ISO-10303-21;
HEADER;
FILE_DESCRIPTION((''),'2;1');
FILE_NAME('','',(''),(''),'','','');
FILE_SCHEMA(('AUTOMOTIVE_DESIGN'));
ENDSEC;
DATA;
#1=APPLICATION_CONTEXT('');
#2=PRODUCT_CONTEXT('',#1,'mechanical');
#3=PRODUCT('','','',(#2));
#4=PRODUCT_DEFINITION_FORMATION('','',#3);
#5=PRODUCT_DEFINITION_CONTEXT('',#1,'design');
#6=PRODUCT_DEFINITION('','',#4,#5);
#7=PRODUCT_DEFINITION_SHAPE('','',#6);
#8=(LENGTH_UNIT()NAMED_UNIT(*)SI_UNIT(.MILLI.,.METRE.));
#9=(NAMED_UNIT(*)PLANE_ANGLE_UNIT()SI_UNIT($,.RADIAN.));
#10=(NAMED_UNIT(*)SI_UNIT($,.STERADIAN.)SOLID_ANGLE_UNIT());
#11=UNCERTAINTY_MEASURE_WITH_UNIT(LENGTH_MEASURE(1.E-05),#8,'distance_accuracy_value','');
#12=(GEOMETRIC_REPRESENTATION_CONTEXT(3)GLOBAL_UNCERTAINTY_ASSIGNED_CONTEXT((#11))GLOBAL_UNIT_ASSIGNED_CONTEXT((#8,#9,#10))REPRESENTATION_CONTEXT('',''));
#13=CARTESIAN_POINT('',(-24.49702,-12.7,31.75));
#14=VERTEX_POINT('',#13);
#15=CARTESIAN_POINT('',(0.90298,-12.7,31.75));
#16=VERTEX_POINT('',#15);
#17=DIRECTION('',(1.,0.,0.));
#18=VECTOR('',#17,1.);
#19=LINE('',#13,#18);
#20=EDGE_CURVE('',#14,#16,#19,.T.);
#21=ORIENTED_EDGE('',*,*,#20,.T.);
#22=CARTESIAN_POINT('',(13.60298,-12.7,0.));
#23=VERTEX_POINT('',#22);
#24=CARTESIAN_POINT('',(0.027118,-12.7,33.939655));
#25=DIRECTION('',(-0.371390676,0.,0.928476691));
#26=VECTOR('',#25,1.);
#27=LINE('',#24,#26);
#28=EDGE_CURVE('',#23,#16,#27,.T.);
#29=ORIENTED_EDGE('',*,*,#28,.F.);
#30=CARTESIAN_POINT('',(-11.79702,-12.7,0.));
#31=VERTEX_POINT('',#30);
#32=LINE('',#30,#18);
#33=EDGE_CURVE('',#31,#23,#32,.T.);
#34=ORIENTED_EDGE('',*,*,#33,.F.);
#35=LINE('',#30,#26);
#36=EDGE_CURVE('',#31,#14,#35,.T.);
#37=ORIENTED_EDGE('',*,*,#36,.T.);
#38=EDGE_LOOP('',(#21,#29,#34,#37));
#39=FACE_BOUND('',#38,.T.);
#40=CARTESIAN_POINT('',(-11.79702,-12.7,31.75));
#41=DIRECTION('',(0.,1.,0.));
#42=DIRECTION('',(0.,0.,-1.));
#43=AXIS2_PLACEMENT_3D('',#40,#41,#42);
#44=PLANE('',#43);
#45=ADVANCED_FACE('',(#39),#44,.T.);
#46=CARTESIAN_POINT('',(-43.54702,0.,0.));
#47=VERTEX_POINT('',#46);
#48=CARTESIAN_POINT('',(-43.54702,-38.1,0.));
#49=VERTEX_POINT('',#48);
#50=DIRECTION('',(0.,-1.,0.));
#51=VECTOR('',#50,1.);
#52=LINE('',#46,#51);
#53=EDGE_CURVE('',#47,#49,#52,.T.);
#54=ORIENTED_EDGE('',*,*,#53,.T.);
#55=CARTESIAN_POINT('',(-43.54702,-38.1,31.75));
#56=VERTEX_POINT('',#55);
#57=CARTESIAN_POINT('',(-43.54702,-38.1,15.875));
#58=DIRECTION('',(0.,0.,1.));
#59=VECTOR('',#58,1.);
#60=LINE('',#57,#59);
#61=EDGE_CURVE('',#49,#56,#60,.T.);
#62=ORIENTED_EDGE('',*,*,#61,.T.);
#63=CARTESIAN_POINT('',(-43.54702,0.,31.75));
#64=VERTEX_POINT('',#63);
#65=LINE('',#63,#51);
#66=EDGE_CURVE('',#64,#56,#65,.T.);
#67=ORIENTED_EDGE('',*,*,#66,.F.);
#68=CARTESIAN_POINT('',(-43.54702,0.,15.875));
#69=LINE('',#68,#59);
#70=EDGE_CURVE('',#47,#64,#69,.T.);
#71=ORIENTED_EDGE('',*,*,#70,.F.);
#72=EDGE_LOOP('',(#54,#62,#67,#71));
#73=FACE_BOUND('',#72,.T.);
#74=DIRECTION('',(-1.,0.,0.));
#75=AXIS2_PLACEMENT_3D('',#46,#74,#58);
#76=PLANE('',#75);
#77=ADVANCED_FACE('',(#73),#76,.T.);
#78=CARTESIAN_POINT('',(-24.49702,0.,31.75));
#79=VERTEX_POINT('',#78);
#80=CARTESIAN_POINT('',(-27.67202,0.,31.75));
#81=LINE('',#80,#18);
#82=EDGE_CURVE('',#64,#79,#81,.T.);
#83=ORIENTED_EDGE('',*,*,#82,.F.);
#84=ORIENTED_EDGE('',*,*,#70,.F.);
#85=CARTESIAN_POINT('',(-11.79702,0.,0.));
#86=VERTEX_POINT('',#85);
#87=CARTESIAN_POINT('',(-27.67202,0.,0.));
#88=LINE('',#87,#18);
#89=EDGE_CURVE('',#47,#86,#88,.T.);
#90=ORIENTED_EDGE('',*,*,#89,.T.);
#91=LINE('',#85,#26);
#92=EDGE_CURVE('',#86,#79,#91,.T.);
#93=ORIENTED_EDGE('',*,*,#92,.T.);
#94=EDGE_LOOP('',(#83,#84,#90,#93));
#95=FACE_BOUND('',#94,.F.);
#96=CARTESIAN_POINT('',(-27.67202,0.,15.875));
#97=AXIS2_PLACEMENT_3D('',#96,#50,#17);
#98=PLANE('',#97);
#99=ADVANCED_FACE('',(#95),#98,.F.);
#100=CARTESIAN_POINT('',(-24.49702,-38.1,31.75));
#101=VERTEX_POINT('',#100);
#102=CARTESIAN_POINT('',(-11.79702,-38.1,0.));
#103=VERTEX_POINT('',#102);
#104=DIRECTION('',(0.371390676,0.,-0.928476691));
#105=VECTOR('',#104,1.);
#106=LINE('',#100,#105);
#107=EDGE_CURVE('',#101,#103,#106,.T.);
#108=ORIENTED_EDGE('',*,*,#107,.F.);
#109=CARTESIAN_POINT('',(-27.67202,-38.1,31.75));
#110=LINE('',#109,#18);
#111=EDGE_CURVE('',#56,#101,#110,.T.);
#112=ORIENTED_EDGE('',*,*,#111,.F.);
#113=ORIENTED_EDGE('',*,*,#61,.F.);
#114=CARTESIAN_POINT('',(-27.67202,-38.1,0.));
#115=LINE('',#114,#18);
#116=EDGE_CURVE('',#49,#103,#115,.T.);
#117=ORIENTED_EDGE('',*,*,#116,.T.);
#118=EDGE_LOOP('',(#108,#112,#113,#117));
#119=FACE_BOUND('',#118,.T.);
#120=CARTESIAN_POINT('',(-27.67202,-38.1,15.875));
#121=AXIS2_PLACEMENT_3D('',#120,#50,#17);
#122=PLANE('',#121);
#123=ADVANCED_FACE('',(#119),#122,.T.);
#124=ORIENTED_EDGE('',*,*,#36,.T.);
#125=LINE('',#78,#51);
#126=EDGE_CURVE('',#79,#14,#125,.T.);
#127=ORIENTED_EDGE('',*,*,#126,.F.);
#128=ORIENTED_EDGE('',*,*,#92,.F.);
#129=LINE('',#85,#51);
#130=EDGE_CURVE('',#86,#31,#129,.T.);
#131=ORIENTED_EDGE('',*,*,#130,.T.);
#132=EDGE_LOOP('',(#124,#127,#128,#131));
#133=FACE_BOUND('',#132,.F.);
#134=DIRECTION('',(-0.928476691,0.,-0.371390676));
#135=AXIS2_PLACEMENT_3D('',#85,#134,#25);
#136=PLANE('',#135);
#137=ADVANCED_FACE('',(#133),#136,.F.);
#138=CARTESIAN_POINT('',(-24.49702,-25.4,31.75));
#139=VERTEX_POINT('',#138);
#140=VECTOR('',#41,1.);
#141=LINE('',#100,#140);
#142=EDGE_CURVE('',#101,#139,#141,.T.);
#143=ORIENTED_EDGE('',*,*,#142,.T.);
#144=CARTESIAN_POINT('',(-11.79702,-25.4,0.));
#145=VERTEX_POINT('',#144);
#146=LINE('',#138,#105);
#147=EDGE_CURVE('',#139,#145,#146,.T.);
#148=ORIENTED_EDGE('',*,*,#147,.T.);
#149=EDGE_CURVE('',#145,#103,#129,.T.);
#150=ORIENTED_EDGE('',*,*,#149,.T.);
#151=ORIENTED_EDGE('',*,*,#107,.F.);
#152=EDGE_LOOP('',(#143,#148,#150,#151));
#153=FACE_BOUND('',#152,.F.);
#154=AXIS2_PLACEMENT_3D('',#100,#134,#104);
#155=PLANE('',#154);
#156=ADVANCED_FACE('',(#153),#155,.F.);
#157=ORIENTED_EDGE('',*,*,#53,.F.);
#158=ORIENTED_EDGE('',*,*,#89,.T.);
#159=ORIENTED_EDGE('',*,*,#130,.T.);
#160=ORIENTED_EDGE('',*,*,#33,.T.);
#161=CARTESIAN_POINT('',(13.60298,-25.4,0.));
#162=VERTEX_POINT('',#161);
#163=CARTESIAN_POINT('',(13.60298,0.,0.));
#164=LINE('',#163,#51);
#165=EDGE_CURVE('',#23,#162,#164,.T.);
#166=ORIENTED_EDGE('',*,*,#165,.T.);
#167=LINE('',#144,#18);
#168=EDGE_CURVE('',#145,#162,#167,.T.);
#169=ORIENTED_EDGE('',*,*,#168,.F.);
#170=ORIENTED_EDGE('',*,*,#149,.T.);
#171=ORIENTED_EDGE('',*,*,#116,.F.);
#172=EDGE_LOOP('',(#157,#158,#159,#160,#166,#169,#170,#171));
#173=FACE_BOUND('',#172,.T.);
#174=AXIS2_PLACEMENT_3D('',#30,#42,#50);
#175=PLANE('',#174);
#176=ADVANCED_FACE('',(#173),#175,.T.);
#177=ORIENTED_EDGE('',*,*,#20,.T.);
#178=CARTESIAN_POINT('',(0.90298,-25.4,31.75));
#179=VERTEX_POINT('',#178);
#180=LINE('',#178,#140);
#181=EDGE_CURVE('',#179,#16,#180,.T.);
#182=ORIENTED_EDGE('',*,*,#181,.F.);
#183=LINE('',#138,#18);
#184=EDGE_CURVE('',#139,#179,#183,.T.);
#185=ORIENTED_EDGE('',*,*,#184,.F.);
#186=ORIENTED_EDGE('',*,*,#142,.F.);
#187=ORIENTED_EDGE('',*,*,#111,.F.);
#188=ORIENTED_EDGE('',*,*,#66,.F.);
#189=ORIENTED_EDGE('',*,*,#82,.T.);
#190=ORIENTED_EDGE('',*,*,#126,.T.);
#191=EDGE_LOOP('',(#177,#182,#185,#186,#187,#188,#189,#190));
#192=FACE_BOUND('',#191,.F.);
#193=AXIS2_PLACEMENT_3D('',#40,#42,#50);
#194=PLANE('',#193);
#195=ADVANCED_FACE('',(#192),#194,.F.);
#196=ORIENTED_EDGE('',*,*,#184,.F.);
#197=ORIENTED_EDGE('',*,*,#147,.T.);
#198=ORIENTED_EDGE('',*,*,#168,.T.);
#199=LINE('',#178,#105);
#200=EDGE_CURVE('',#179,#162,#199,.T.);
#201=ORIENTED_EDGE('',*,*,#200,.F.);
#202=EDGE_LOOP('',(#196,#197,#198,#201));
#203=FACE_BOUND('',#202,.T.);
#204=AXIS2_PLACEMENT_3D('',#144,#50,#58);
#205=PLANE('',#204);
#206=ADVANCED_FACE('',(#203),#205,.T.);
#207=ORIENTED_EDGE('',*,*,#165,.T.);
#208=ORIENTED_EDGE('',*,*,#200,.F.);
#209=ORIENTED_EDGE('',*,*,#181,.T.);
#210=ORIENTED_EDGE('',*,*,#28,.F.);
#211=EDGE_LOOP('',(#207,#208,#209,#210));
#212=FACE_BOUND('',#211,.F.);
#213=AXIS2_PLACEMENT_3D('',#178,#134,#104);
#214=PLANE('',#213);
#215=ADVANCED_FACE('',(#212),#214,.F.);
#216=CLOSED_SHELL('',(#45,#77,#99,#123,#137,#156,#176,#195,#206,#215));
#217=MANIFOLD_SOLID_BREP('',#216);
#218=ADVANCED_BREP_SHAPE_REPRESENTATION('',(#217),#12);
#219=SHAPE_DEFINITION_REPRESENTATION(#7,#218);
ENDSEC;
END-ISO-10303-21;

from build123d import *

# Parameters (mm, degrees)
F0_W     = 31.75
F0_H     = 31.75
F1_DEPTH = 38.1
F3_DEPTH = 12.7
F5_DEPTH = 12.7
F6_DEPTH = 25.4
F8_DEPTH = 25.401


with BuildPart() as f1:
    # F0 (on Front) → F1 (new body)
    with BuildSketch(Plane.XZ):
        with Locations((-27.6720197662, 15.875)):
            Rectangle(F0_W, F0_H)
    extrude(amount=F1_DEPTH)

    # F2 (on face) → F3 (cut)
    with BuildSketch(Plane.XZ.offset(38.1)):
        Polygon((-11.7970197662, 31.75), (-24.4970197662, 31.75), (-11.7970197662, 0), align=None)
    extrude(amount=-F3_DEPTH, mode=Mode.SUBTRACT)

    # F4 (on face) → F5 (cut)
    with BuildSketch(Plane(origin=(0, 0, 0), x_dir=(-1, 0, 0), z_dir=(0, 1, 0))):
        Polygon((11.7970197662, 0), (24.4970197662, 31.75), (11.7970197662, 31.75), align=None)
    extrude(amount=-F5_DEPTH, mode=Mode.SUBTRACT)

    # F6 (add): a face of the model
    f6_faces = [f1.faces().sort_by_distance(p)[0] for p in [
        (-11.7970197662, -19.05, 15.875),
    ]]
    extrude(f6_faces, amount=F6_DEPTH)

    # F7 (on face) → F8 (cut, through all)
    with BuildSketch(Plane.XZ.offset(25.4)):
        Polygon((13.6029802338, 31.75), (0.9029802338, 31.75), (13.6029802338, 0), align=None)
    extrude(amount=-F8_DEPTH, mode=Mode.SUBTRACT)


solid = f1.part
